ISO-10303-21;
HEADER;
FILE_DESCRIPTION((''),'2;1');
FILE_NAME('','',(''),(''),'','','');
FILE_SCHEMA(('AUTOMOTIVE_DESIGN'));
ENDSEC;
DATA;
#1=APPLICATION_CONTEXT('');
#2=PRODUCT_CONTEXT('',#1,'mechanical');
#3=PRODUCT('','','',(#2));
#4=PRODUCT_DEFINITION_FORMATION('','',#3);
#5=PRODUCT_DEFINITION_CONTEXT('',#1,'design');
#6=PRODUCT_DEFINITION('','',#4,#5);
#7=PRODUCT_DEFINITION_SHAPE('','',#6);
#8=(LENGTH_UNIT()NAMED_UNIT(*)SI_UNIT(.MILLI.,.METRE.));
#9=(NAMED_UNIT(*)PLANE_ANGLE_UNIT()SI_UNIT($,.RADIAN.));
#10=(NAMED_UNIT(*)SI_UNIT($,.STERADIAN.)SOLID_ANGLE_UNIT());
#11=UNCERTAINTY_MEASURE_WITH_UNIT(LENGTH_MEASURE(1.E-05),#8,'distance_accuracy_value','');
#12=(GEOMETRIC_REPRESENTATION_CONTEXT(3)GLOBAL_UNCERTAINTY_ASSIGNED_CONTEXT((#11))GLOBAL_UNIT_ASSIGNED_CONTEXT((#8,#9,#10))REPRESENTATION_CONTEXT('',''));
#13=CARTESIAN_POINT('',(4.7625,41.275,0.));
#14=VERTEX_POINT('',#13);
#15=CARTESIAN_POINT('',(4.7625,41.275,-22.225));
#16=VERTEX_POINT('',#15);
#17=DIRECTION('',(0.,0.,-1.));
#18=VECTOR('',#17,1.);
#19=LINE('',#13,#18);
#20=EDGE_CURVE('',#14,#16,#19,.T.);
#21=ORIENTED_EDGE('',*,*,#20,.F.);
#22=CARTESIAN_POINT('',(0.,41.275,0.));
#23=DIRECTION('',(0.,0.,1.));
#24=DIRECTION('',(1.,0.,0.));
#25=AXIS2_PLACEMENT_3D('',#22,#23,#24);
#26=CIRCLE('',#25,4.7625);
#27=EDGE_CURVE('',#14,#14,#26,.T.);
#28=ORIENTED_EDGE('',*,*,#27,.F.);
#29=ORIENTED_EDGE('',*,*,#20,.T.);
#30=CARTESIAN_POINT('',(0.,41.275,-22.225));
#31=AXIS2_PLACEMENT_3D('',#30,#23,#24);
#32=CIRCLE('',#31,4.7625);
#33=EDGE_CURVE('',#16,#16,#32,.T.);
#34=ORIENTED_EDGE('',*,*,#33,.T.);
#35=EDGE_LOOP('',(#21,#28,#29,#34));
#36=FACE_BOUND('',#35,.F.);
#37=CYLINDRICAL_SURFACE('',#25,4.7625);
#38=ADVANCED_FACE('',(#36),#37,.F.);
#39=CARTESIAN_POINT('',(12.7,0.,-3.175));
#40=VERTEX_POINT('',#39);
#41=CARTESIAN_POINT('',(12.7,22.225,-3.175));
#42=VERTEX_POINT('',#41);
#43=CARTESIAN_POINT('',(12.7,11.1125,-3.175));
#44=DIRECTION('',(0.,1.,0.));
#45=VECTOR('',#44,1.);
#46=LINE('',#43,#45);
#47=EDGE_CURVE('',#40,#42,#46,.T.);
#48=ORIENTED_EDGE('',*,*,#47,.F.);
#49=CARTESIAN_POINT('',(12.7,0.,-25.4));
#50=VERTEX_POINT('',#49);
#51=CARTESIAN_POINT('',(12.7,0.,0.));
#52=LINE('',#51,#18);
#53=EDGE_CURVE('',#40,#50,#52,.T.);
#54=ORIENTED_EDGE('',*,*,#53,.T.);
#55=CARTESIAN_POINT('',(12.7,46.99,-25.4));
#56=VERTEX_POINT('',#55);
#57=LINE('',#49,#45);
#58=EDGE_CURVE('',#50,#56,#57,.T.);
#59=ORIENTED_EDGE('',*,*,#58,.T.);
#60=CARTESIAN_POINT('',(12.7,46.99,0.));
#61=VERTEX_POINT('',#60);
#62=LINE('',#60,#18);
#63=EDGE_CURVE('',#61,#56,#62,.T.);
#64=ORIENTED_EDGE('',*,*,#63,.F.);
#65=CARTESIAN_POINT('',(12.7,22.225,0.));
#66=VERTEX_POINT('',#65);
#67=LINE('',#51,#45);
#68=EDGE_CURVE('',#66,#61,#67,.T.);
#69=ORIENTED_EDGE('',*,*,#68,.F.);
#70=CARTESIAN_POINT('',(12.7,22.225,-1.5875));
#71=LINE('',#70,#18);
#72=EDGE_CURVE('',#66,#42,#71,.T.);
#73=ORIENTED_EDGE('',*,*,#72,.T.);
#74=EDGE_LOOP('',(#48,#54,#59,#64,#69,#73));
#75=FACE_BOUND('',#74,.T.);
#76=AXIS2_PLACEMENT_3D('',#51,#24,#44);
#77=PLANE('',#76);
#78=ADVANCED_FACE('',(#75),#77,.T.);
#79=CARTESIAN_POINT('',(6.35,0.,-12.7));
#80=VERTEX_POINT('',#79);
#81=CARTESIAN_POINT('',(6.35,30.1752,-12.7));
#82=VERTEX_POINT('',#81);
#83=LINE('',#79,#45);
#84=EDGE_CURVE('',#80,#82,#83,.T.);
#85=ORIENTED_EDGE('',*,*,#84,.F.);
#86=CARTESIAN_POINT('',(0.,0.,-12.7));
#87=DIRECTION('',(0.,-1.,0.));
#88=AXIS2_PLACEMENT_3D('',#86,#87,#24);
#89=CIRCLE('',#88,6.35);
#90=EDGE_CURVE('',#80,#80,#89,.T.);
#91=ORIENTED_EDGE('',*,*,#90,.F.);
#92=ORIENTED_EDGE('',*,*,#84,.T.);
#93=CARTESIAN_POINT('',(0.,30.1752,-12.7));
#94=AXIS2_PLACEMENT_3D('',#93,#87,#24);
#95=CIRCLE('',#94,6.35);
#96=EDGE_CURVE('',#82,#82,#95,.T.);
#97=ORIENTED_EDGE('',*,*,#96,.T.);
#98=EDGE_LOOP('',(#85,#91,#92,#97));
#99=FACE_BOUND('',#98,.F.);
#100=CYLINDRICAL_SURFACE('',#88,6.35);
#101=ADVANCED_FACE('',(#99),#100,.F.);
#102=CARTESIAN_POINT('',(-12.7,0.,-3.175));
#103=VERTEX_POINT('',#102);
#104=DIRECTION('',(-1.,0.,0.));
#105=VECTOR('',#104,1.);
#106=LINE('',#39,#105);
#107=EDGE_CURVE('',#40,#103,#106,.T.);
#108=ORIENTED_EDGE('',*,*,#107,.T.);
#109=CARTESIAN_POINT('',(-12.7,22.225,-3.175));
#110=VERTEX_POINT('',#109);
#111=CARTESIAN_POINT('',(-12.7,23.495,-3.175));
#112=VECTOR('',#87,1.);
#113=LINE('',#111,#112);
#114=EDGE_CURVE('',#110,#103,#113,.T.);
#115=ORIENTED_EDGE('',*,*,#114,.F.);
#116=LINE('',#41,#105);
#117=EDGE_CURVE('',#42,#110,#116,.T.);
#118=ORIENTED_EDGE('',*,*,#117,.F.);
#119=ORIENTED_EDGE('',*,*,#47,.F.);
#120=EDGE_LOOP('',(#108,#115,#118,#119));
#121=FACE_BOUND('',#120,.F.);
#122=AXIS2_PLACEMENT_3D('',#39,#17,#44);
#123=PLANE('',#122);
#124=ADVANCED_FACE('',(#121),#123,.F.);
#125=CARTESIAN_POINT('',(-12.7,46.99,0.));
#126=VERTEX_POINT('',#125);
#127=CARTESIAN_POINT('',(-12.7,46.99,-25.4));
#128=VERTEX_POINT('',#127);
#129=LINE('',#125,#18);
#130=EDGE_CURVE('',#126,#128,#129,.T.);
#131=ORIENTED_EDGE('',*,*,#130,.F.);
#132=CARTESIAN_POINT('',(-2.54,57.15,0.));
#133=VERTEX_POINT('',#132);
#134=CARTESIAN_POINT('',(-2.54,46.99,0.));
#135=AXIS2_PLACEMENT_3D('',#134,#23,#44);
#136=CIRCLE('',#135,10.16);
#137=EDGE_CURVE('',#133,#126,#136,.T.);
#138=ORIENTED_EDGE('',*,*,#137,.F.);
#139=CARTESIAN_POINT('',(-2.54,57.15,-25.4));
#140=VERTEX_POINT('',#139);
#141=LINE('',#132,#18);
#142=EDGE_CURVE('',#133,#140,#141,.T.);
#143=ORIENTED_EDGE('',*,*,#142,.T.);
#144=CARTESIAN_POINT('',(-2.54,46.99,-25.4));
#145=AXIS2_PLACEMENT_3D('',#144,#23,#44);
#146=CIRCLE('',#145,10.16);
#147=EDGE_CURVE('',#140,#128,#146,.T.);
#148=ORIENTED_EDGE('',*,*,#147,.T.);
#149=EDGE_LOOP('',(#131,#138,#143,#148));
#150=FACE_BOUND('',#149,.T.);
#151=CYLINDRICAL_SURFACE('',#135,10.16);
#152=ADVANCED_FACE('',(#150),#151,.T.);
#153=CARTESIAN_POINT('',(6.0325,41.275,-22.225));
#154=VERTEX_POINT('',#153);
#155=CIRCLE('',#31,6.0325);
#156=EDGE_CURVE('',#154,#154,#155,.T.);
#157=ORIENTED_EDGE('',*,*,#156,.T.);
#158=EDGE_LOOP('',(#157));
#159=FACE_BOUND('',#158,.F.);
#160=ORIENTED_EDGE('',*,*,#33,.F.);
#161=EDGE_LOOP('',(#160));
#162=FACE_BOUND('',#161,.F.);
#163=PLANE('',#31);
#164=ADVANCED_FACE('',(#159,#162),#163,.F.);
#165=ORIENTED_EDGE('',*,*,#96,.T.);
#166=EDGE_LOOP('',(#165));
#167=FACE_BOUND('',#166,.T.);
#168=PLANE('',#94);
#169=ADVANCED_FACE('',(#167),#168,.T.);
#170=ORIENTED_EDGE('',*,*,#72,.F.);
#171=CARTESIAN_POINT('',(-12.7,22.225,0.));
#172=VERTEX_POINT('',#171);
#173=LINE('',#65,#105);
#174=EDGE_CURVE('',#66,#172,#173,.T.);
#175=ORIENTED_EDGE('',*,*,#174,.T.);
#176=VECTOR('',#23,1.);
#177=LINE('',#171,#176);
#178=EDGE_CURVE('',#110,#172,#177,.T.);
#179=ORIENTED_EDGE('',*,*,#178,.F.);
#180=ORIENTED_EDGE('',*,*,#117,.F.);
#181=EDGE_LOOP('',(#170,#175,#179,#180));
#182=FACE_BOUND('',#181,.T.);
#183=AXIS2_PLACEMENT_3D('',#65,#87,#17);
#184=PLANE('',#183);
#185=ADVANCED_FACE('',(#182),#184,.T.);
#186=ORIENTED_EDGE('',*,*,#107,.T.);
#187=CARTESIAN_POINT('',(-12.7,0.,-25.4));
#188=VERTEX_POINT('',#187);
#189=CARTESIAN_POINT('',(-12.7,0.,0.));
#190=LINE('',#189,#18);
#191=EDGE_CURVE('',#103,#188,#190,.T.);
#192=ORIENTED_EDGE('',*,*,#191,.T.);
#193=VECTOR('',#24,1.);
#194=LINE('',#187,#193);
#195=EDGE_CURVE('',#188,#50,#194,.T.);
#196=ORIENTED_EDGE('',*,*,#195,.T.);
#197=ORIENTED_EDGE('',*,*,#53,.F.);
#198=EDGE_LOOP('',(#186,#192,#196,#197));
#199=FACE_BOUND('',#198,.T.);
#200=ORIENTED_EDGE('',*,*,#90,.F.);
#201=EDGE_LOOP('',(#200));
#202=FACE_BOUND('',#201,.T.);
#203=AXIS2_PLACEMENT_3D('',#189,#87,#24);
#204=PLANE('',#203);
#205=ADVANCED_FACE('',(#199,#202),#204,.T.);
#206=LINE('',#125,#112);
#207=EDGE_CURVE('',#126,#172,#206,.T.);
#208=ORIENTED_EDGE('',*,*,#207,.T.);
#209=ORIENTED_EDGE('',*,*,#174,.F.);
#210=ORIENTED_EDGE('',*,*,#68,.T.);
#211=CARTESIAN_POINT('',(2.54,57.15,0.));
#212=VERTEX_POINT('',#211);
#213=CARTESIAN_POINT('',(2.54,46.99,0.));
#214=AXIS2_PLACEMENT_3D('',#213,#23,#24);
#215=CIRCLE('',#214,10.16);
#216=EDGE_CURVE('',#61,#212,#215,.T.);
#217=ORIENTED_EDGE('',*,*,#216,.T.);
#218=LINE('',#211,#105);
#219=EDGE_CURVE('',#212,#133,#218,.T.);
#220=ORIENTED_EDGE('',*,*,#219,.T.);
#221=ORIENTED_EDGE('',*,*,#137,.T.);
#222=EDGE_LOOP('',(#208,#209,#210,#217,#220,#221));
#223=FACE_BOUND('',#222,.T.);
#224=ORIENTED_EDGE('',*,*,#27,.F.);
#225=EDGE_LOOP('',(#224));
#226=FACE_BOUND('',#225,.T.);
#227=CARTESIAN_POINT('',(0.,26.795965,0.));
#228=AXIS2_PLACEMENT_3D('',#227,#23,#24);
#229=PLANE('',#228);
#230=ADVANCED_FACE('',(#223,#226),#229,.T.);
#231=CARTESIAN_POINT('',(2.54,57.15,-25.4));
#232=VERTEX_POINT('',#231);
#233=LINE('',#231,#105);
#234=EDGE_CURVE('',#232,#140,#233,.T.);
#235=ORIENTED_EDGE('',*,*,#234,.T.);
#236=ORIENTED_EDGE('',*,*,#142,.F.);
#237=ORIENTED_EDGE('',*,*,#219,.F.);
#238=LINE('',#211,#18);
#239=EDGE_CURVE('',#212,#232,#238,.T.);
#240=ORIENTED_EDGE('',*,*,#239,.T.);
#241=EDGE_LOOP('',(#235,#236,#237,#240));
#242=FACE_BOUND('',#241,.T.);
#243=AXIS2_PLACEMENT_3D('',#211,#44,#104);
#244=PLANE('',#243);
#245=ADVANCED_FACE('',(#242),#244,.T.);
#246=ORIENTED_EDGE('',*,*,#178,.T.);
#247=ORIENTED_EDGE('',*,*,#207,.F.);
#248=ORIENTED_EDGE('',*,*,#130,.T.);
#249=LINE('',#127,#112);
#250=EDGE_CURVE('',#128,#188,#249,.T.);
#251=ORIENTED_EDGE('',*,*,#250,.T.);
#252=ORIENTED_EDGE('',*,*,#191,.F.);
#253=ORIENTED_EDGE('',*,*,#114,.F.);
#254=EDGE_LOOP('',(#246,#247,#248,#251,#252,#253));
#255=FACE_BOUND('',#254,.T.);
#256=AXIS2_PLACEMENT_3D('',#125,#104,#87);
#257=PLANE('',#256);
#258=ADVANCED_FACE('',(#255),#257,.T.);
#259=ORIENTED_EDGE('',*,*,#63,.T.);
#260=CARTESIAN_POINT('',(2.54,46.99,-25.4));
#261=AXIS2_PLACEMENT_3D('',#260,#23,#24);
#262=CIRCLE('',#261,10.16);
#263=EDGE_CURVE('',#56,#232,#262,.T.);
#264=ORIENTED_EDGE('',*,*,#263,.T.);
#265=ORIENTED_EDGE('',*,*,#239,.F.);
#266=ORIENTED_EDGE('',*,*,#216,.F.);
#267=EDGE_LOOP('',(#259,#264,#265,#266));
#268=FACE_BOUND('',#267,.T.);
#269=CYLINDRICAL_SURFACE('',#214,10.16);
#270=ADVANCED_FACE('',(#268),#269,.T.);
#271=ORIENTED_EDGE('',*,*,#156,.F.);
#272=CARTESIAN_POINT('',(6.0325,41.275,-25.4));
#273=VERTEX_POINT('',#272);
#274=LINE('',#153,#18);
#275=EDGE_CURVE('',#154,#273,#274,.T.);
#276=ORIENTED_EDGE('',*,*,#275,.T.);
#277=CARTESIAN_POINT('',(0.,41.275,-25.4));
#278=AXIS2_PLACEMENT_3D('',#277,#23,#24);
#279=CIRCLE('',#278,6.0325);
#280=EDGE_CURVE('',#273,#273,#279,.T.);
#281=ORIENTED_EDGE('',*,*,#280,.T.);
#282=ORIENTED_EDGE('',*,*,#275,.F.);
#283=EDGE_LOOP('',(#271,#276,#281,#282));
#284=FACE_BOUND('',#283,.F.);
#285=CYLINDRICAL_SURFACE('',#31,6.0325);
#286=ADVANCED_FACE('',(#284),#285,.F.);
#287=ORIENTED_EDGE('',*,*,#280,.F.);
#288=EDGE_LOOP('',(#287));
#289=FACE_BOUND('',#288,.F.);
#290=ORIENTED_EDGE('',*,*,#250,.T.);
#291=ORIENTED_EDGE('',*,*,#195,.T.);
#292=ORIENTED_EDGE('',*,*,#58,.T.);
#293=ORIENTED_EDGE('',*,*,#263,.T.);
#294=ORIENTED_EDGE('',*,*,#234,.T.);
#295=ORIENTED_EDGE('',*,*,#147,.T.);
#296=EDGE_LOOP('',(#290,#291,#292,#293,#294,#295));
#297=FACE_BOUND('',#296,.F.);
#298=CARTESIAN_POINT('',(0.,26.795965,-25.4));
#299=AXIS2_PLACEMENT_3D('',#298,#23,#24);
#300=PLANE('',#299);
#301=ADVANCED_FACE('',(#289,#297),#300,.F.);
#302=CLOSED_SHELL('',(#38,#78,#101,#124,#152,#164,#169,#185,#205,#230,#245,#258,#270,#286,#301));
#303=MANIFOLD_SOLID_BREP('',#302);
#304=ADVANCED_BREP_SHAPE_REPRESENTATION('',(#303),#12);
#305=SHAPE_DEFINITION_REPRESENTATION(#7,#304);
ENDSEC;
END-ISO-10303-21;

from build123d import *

# Parameters (mm, degrees)
BOSS_EXTRUDE1_DEPTH = 25.4
SKETCH1_3_R         = 4.7625
CUT_EXTRUDE1_DEPTH  = 22.225
SKETCH2_R           = 6.0325
CUT_EXTRUDE2_DEPTH  = 4.175
SKETCH3_W           = 3.175
SKETCH3_H           = 22.225
CUT_EXTRUDE4_DEPTH  = 26.4
SKETCH4_R           = 6.35
CUT_EXTRUDE5_DEPTH  = 30.1752


with BuildPart() as part:
    # Sketch1 → Boss-Extrude1 (new body)
    with BuildSketch(Plane.XY):
        with BuildLine():
            Line((-12.7, 0), (12.7, 0))
            Line((12.7, 0), (12.7, 46.99))
            ThreePointArc((12.7, 46.99), (9.724204897, 54.174204897), (2.54, 57.15))
            Line((2.54, 57.15), (-2.54, 57.15))
            ThreePointArc((-2.54, 57.15), (-9.724204897, 54.174204897), (-12.7, 46.99))
            Line((-12.7, 46.99), (-12.7, 0))
        make_face()
    extrude(amount=-BOSS_EXTRUDE1_DEPTH)

    # Sketch1<3> → Cut-Extrude1 (cut)
    with BuildSketch(Plane.XY):
        with Locations((0, 41.275)):
            Circle(SKETCH1_3_R)
    extrude(amount=-CUT_EXTRUDE1_DEPTH, mode=Mode.SUBTRACT)

    # Sketch2 → Cut-Extrude2 (cut, through all)
    with BuildSketch(Plane.XY.offset(-22.225)):
        with Locations((0, 41.275)):
            Circle(SKETCH2_R)
    extrude(amount=-CUT_EXTRUDE2_DEPTH, mode=Mode.SUBTRACT)

    # Sketch3 → Cut-Extrude4 (cut, through all)
    with BuildSketch(Plane(origin=(12.7, 0, 0), x_dir=(0, 0, -1), z_dir=(1, 0, 0))):
        with Locations((1.5875, 11.1125)):
            Rectangle(SKETCH3_W, SKETCH3_H)
    extrude(amount=-CUT_EXTRUDE4_DEPTH, mode=Mode.SUBTRACT)

    # Sketch4 → Cut-Extrude5 (cut)
    with BuildSketch(Plane.XZ):
        with Locations((0, -12.7)):
            Circle(SKETCH4_R)
    extrude(amount=-CUT_EXTRUDE5_DEPTH, mode=Mode.SUBTRACT)


solid = part.part
